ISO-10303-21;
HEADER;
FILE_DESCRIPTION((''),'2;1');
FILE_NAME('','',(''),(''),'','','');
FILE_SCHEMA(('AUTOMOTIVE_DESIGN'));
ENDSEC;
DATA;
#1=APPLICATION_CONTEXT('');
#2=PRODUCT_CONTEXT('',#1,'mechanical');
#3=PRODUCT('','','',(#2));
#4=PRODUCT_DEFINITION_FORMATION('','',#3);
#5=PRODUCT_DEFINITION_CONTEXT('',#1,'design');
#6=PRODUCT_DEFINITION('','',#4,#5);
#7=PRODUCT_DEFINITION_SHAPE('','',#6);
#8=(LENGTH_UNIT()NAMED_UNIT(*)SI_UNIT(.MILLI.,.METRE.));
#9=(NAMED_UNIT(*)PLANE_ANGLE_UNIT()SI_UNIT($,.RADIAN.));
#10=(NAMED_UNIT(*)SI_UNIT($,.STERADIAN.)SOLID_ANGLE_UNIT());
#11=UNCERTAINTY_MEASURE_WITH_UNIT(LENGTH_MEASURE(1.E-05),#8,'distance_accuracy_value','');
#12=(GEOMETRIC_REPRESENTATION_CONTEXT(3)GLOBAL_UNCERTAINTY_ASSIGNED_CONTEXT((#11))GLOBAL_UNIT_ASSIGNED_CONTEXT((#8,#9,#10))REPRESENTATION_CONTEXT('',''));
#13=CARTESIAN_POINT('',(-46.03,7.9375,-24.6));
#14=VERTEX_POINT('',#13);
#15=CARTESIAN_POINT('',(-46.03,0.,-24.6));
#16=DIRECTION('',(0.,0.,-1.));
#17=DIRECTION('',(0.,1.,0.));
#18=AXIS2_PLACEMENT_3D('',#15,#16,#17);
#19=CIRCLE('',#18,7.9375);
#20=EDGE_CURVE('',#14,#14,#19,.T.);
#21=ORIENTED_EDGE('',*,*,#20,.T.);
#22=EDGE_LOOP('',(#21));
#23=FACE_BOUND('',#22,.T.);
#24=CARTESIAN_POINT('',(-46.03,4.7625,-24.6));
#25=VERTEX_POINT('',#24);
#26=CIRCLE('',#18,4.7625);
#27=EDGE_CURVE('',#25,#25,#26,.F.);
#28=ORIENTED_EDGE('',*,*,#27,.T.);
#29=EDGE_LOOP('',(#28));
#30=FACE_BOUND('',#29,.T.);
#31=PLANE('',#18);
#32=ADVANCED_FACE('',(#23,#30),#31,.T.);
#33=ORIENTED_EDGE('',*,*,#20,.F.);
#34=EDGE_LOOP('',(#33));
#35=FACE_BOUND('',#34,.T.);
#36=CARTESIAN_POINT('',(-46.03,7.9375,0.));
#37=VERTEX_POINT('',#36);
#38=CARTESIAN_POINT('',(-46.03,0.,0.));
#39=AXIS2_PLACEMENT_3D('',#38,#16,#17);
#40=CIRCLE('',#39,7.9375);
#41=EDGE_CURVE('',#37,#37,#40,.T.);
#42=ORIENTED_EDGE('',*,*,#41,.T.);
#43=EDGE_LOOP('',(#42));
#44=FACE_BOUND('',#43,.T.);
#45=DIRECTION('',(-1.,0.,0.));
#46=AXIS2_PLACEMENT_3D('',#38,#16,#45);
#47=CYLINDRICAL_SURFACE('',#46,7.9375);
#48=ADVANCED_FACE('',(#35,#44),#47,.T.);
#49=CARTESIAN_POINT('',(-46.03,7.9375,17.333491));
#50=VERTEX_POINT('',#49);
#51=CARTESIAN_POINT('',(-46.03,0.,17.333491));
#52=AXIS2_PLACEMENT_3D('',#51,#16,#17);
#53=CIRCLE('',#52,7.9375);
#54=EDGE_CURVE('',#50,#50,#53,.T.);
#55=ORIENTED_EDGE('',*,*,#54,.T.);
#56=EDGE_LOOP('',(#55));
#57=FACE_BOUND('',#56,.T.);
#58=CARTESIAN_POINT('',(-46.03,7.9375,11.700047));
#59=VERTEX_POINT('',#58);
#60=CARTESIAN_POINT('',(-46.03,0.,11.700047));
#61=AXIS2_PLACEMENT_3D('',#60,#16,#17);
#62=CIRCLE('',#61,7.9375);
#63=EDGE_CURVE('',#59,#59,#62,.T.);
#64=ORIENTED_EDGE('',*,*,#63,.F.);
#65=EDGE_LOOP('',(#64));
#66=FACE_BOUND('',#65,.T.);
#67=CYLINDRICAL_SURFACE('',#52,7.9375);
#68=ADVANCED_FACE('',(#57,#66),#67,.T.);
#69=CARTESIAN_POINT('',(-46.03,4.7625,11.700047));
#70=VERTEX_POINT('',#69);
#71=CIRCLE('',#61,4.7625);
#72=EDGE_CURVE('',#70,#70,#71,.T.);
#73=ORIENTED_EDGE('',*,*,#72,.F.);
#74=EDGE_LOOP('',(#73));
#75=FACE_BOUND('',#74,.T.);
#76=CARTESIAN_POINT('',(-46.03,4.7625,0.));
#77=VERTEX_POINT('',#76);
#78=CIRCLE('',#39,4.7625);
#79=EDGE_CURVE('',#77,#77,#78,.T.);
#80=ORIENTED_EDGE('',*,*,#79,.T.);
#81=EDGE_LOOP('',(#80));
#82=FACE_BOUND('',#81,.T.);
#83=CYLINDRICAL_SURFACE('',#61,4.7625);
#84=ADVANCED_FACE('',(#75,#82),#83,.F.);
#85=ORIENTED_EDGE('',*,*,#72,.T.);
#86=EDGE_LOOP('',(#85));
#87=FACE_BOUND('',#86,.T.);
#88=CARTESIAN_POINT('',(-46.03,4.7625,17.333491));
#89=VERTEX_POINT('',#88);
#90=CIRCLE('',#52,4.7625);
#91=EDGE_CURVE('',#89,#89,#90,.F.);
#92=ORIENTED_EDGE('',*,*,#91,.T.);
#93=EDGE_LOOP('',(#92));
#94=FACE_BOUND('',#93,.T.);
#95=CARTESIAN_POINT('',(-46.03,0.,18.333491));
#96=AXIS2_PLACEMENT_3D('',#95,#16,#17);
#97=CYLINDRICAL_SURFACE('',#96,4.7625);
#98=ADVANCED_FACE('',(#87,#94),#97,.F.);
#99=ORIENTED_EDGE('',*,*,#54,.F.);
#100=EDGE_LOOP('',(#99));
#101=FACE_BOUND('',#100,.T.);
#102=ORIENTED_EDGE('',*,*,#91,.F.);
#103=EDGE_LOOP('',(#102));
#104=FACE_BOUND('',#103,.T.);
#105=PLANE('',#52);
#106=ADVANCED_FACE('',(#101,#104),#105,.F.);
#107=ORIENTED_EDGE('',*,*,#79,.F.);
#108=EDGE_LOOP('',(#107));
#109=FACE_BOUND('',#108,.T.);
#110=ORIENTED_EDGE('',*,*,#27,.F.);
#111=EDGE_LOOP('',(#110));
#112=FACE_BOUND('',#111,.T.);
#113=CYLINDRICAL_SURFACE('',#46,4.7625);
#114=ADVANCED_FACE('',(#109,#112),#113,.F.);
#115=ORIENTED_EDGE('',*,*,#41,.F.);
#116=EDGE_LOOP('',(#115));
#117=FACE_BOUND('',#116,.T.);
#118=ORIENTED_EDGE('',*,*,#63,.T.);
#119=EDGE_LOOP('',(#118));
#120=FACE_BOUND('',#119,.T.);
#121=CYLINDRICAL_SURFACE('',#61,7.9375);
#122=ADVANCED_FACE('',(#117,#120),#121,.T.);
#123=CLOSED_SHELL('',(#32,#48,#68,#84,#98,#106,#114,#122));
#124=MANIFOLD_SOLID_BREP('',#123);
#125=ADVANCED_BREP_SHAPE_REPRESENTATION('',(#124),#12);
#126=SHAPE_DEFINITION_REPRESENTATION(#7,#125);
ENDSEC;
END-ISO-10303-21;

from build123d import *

# Parameters (mm, degrees)
SWEEP1_PROFILE_R     = 7.9375
CUT_SWEEP1_PROFILE_R = 4.7625


with BuildPart() as part:
    # Sweep1: sweep along a curve in space
    with BuildLine() as sweep1_path:
        Line((-46.03, 0, -24.6), (-46.03, 0, 0))
        Line((-46.03, 0, 0), (-46.03, 0, 11.700046958))
        Line((-46.03, 0, 17.333491368), (-46.03, 0, 11.700046958))
    # Sweep1 profile (on start of the path) → Sweep1 (sweep)
    with BuildSketch(Plane(origin=(-46.03, 0, -24.6), x_dir=(1, 0, 0), z_dir=(0, 0, 1))):
        Circle(SWEEP1_PROFILE_R)
    sweep(path=sweep1_path.line)

    # Cut-Sweep1: sweep along a curve in space
    with BuildLine() as cut_sweep1_path:
        Line((-46.03, 0, -24.6), (-46.03, 0, 0))
        Line((-46.03, 0, 0), (-46.03, 0, 11.700046958))
        Line((-46.03, 0, 17.333491368), (-46.03, 0, 11.700046958))
    # Cut-Sweep1 profile (on start of the path) → Cut-Sweep1 (sweep, cut)
    with BuildSketch(Plane(origin=(-46.03, 0, -24.6), x_dir=(1, 0, 0), z_dir=(0, 0, 1))):
        Circle(CUT_SWEEP1_PROFILE_R)
    sweep(path=cut_sweep1_path.line, mode=Mode.SUBTRACT)


solid = part.part
